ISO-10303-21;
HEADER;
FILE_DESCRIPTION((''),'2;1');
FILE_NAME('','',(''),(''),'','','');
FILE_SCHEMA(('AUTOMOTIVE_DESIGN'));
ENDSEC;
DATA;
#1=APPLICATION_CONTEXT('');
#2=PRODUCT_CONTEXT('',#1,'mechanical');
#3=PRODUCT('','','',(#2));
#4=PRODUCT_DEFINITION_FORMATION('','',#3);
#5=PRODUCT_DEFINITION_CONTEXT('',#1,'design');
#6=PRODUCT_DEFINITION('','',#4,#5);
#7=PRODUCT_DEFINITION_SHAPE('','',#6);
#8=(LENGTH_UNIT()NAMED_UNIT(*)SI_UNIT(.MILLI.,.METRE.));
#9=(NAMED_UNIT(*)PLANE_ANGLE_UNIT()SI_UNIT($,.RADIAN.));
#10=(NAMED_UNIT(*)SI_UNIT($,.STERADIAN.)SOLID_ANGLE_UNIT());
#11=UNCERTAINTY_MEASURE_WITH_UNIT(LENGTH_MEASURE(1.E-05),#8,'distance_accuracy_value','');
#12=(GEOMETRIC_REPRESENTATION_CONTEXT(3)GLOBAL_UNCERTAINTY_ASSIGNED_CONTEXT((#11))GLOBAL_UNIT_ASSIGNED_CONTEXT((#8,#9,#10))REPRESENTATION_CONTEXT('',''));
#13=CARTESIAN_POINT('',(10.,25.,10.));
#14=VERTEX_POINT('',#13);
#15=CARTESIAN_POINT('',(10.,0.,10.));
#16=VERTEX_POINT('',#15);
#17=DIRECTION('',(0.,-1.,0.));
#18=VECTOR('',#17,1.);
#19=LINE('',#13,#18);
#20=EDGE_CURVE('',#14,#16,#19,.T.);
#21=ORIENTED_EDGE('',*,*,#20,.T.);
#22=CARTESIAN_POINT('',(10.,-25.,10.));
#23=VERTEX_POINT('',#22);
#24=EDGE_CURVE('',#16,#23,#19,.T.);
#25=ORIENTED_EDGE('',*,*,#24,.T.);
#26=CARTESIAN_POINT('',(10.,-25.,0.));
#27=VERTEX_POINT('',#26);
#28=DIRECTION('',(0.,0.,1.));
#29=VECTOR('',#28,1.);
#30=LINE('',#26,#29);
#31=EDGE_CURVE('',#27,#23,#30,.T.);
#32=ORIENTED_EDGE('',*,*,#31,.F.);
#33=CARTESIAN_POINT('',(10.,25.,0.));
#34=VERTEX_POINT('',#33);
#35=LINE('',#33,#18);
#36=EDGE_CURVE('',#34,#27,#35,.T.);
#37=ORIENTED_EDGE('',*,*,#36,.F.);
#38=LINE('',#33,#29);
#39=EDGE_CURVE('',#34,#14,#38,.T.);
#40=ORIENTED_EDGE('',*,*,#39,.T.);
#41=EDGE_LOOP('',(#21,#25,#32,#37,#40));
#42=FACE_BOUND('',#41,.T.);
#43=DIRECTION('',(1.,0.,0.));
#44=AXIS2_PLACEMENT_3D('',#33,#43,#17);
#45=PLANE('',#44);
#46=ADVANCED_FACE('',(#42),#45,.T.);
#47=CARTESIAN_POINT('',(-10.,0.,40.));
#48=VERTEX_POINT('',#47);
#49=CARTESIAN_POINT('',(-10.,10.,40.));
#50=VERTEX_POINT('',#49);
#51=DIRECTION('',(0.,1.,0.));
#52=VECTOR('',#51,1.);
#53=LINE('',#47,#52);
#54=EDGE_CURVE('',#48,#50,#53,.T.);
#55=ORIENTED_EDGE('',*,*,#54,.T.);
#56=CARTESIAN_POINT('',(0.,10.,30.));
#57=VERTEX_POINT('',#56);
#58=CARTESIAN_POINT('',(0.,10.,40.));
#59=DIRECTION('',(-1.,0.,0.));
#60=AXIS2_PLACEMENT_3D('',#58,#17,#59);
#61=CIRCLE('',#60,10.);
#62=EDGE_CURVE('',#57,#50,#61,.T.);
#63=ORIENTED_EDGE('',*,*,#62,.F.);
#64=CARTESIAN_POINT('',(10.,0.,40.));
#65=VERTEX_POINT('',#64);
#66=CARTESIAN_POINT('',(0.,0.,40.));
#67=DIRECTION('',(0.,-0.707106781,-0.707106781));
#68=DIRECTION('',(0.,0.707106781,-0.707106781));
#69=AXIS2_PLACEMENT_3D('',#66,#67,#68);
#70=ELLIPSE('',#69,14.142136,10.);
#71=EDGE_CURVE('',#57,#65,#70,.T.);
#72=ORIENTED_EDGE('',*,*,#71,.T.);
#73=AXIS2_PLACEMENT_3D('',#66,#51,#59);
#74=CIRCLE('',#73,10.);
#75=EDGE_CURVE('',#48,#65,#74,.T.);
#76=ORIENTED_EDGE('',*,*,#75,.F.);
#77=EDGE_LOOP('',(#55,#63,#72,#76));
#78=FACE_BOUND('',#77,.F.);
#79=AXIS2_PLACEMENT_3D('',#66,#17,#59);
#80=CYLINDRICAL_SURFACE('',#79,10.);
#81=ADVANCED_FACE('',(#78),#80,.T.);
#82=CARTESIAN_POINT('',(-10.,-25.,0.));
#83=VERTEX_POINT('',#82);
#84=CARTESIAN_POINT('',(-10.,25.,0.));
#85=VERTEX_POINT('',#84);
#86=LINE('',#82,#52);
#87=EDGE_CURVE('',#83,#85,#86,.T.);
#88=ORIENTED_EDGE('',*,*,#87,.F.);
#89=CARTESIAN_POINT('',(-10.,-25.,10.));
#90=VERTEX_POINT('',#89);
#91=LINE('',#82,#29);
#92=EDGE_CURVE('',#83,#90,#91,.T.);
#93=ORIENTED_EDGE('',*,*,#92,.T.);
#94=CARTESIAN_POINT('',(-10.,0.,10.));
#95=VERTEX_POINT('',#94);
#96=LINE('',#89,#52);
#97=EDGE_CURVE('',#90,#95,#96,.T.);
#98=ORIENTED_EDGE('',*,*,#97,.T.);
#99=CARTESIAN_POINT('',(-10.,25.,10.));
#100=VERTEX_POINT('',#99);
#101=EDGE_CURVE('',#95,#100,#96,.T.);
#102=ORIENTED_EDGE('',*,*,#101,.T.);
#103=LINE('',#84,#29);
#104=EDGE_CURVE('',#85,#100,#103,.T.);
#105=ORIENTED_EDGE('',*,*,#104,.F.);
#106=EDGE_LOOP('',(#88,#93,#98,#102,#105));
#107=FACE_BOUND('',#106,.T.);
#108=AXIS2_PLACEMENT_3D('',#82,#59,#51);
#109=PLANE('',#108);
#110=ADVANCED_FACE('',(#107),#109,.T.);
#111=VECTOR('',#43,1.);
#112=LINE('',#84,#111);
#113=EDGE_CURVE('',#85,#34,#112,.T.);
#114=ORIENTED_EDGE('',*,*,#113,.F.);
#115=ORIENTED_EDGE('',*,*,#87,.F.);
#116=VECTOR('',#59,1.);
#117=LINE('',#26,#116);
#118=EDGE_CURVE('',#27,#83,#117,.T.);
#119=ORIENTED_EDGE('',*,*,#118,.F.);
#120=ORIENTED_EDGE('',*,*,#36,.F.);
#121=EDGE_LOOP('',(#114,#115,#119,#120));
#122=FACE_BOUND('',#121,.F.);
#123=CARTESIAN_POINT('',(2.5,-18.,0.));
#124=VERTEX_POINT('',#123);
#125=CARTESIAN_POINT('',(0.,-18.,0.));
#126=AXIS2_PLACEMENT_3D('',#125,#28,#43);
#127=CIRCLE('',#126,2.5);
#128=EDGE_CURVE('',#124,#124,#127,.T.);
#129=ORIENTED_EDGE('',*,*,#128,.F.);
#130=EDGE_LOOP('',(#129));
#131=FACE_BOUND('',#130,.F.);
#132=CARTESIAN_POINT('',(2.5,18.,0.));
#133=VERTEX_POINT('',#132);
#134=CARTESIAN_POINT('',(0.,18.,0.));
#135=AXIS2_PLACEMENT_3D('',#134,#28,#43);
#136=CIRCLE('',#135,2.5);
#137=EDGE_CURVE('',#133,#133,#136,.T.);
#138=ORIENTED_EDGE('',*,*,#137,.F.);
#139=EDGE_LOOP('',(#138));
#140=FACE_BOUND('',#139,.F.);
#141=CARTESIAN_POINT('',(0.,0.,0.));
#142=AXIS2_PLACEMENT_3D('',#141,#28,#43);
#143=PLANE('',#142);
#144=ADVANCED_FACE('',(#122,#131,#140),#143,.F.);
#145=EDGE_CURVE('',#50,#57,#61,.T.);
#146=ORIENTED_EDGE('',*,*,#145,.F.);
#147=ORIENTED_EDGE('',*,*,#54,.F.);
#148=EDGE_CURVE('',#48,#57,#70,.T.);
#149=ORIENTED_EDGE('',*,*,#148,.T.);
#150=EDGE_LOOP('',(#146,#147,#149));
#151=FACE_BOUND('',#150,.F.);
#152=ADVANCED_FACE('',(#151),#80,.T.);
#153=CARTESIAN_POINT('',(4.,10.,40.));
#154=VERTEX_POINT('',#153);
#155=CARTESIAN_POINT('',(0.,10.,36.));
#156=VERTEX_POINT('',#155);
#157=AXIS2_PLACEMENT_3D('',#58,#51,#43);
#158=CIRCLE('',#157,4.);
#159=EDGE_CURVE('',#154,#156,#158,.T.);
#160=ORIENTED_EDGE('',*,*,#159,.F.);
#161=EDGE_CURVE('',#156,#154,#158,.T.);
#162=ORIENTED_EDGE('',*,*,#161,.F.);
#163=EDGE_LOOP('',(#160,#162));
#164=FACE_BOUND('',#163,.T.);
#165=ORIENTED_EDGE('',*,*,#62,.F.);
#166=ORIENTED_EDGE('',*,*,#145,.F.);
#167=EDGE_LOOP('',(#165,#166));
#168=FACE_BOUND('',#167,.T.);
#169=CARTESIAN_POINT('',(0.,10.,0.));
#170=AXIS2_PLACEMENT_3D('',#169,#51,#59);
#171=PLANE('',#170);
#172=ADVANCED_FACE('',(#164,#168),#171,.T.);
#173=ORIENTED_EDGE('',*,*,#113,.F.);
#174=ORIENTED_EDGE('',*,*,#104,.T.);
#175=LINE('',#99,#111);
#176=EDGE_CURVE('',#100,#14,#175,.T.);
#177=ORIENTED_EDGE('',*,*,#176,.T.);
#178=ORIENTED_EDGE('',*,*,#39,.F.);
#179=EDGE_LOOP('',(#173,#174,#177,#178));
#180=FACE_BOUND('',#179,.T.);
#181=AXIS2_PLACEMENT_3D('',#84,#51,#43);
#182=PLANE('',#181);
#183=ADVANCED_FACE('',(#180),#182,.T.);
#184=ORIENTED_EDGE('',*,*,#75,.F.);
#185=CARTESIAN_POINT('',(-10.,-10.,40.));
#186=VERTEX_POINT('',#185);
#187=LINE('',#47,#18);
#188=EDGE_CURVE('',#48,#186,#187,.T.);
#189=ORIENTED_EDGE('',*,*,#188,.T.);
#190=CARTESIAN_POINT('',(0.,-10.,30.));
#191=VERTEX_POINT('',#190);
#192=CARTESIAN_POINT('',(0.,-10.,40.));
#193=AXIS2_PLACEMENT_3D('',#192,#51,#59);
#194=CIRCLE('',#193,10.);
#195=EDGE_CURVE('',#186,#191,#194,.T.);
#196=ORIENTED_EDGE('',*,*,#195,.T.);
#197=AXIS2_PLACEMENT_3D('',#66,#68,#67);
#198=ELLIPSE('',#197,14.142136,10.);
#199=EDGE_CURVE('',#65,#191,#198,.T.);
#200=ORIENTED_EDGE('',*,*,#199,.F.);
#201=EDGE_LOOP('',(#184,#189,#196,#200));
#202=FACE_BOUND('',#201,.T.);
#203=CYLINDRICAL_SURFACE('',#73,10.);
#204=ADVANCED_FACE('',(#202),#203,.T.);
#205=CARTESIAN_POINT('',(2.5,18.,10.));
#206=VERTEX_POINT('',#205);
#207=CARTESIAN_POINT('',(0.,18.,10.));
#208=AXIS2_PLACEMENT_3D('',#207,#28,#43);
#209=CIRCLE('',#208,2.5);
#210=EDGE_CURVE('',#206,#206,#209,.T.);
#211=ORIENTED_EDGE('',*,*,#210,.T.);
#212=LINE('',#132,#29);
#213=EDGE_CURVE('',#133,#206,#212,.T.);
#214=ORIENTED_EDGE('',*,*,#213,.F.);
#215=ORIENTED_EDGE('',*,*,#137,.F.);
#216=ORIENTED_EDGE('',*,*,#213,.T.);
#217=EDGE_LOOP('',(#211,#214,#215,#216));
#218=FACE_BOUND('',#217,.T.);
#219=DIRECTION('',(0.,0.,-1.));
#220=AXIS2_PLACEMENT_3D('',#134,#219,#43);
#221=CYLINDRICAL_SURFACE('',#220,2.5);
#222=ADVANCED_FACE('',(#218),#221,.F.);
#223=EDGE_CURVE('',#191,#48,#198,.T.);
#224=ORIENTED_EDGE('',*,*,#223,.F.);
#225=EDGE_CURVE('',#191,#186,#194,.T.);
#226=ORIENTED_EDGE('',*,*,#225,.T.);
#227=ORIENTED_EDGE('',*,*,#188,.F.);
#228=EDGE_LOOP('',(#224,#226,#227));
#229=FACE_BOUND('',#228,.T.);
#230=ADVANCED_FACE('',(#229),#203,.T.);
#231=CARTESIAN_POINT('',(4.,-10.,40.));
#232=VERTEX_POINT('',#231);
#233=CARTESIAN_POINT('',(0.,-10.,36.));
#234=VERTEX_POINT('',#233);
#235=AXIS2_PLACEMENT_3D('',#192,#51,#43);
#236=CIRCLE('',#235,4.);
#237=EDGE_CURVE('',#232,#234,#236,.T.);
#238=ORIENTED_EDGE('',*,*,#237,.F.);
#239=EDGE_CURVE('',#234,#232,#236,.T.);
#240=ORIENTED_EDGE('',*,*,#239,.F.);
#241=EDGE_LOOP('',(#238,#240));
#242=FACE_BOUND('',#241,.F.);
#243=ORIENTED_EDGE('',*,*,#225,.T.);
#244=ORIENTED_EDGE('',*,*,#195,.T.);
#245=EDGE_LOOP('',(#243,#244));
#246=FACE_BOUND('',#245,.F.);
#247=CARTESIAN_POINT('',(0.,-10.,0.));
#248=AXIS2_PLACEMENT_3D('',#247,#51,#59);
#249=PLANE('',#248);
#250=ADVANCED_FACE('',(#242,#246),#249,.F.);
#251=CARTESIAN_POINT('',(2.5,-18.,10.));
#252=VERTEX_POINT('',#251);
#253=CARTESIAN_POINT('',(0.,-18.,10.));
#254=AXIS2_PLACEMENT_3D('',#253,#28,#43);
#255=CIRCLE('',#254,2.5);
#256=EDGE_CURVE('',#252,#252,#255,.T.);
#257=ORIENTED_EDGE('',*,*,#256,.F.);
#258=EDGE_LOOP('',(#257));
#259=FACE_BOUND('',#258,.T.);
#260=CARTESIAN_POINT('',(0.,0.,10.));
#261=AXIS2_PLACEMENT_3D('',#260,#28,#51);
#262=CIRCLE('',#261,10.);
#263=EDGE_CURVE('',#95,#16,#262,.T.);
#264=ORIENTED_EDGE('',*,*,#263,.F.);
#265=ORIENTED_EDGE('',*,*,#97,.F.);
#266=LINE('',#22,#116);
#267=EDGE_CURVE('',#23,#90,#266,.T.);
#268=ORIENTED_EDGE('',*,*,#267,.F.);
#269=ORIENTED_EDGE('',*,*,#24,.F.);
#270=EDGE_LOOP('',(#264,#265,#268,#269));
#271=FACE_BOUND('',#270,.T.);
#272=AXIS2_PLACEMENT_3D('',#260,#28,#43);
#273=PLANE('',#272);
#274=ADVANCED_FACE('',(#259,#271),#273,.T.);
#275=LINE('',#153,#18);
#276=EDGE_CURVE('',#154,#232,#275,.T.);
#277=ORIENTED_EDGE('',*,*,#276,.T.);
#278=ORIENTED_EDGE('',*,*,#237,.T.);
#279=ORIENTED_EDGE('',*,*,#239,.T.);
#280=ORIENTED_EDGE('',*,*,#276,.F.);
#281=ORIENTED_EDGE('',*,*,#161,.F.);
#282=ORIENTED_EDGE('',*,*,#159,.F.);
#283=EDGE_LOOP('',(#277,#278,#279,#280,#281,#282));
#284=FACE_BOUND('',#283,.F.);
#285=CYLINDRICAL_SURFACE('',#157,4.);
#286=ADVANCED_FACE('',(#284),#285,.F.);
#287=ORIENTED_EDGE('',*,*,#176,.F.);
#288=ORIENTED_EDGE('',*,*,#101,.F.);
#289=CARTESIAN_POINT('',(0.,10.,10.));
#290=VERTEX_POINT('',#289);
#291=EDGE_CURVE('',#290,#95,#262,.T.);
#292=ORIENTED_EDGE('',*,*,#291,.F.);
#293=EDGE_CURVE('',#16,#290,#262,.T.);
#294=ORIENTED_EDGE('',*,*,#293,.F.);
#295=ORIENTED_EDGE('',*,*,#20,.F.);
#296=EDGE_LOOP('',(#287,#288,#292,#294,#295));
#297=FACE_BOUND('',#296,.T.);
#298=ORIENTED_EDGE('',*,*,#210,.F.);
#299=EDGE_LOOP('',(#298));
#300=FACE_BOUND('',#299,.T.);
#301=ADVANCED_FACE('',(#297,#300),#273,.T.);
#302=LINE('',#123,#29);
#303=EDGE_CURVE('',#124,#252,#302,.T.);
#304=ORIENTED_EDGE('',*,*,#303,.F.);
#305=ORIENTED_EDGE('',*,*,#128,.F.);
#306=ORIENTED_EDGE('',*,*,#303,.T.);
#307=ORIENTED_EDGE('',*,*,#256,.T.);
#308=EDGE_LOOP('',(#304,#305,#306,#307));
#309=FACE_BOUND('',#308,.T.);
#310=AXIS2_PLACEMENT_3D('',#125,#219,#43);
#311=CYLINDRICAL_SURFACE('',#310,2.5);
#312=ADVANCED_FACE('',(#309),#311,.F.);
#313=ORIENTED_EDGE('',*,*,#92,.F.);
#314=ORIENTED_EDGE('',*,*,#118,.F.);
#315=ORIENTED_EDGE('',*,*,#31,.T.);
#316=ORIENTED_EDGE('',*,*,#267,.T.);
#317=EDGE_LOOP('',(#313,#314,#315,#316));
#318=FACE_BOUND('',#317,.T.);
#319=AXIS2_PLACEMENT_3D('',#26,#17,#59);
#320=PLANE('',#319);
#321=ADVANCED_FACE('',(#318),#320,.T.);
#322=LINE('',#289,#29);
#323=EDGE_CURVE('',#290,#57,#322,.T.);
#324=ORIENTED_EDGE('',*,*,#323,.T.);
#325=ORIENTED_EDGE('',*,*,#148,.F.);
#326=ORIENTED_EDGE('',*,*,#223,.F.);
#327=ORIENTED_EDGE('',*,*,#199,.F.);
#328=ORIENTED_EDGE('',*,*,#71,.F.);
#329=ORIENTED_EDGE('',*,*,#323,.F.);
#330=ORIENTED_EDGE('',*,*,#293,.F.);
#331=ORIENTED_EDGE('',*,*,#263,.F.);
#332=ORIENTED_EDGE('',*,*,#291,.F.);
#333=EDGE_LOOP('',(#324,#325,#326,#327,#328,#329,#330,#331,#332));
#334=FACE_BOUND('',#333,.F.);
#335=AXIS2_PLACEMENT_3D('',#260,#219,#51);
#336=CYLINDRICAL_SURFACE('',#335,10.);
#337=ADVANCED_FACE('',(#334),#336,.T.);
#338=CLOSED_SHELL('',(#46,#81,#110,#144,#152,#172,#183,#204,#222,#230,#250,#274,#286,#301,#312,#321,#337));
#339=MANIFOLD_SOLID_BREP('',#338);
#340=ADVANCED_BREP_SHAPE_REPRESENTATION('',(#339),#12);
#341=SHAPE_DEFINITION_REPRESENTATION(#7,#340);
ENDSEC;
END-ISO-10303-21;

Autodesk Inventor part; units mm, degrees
ref_plane "YZ Plane" through (0, 0, 0) normal (1, 0, 0) x (0, 1, 0)
sketch "Sketch1" plane through (0, 0, 0) normal (0, 0, 1) x (1, 0, 0)
  line L0 (-10, 25) -> (10, 25)
  line L1 (10, 25) -> (10, -25)
  line L2 (10, -25) -> (-10, -25)
  line L3 (-10, -25) -> (-10, 25)
  circle A0 centre (0, 18) radius 2.5
  circle A1 centre (0, -18) radius 2.5
  point P0 (0, 0)
  point P1 (-10, 0)
  point P2 (0, 25)
  dimension "d0" = 20
  dimension "d1" = 50
  dimension "d2" = 5
  dimension "d3" = 7
  dimension "d4" = 7
extrude "Extrusion1" add sketch "Sketch1" along normal blind 10
ref_plane "Work Plane1" through (0, -10, 0) normal (0, 1, 0) x (-1, 0, 0)
ref_plane "Work Plane2" through (10, -25, 10) normal (-0.7071, 0, 0.7071) x (0, 1, 0)
sketch "Sketch7" plane through (10, -25, 10) normal (0, 0, 1) x (0, 1, 0)
  line L0 (50, 0) -> (0, 0) projected
  circle A0 centre (25, 10) radius 10
  line L1 (50, 20) -> (0, 20) projected
  circle A1 centre (43, 10) radius 2.5 projected
  circle A2 centre (7, 10) radius 2.5 projected
  line L2 (0, 20) -> (50, 20) projected
  line L3 (50, 20) -> (50, 0) projected
  line L4 (0, 0) -> (0, 20) projected
  point P0 (25, 10)
  point P1 (25, 20)
  dimension "d28" = 20
  dimension "d29" = 10
extrude "Extrusion6" add sketch "Sketch7" along normal blind 30 contours A0
sketch "Sketch8" plane through (0, 0, 0) normal (0, 1, 0) x (-1, 0, 0)
  circle A0 centre (0, 40) radius 10
  line L0 (-10, 10) -> (-10, 40) projected
  line L1 (-10, 40) -> (10, 40) projected
  line L2 (10, 40) -> (10, 10) projected
  line L3 (10, 10) -> (10, 0) projected
  line L4 (10, 0) -> (-10, 0) projected
  line L5 (-10, 0) -> (-10, 10) projected
  point P0 (0, 0)
  point P1 (25.3553, 31.2132)
  point P2 (-10, 3.7868)
  dimension "d47" = 20
extrude "Extrusion7" add sketch "Sketch8" along normal mid plane 20 contours L1 A0 | A0 L1
sketch "Sketch9" plane through (0, 10, 40) normal (0, 1, 0) x (1, 0, 0)
  circle A0 centre (0, 0) radius 4
  circle A1 centre (0, 0) radius 10 projected
  point P0 (0, 40)
  point P1 (-3.2583, 9.4543)
  point P2 (3.2583, 9.4543)
  point P3 (-2.6421, 9.6447)
  point P4 (2.6421, 9.6447)
  point P5 (0, 10)
  point P6 (0, 10)
  dimension "d35" = 8
extrude "Extrusion8" cut sketch "Sketch9" against normal through all contours A0
equation "\"d4\" = d3"
properties part number "10-06-008"
